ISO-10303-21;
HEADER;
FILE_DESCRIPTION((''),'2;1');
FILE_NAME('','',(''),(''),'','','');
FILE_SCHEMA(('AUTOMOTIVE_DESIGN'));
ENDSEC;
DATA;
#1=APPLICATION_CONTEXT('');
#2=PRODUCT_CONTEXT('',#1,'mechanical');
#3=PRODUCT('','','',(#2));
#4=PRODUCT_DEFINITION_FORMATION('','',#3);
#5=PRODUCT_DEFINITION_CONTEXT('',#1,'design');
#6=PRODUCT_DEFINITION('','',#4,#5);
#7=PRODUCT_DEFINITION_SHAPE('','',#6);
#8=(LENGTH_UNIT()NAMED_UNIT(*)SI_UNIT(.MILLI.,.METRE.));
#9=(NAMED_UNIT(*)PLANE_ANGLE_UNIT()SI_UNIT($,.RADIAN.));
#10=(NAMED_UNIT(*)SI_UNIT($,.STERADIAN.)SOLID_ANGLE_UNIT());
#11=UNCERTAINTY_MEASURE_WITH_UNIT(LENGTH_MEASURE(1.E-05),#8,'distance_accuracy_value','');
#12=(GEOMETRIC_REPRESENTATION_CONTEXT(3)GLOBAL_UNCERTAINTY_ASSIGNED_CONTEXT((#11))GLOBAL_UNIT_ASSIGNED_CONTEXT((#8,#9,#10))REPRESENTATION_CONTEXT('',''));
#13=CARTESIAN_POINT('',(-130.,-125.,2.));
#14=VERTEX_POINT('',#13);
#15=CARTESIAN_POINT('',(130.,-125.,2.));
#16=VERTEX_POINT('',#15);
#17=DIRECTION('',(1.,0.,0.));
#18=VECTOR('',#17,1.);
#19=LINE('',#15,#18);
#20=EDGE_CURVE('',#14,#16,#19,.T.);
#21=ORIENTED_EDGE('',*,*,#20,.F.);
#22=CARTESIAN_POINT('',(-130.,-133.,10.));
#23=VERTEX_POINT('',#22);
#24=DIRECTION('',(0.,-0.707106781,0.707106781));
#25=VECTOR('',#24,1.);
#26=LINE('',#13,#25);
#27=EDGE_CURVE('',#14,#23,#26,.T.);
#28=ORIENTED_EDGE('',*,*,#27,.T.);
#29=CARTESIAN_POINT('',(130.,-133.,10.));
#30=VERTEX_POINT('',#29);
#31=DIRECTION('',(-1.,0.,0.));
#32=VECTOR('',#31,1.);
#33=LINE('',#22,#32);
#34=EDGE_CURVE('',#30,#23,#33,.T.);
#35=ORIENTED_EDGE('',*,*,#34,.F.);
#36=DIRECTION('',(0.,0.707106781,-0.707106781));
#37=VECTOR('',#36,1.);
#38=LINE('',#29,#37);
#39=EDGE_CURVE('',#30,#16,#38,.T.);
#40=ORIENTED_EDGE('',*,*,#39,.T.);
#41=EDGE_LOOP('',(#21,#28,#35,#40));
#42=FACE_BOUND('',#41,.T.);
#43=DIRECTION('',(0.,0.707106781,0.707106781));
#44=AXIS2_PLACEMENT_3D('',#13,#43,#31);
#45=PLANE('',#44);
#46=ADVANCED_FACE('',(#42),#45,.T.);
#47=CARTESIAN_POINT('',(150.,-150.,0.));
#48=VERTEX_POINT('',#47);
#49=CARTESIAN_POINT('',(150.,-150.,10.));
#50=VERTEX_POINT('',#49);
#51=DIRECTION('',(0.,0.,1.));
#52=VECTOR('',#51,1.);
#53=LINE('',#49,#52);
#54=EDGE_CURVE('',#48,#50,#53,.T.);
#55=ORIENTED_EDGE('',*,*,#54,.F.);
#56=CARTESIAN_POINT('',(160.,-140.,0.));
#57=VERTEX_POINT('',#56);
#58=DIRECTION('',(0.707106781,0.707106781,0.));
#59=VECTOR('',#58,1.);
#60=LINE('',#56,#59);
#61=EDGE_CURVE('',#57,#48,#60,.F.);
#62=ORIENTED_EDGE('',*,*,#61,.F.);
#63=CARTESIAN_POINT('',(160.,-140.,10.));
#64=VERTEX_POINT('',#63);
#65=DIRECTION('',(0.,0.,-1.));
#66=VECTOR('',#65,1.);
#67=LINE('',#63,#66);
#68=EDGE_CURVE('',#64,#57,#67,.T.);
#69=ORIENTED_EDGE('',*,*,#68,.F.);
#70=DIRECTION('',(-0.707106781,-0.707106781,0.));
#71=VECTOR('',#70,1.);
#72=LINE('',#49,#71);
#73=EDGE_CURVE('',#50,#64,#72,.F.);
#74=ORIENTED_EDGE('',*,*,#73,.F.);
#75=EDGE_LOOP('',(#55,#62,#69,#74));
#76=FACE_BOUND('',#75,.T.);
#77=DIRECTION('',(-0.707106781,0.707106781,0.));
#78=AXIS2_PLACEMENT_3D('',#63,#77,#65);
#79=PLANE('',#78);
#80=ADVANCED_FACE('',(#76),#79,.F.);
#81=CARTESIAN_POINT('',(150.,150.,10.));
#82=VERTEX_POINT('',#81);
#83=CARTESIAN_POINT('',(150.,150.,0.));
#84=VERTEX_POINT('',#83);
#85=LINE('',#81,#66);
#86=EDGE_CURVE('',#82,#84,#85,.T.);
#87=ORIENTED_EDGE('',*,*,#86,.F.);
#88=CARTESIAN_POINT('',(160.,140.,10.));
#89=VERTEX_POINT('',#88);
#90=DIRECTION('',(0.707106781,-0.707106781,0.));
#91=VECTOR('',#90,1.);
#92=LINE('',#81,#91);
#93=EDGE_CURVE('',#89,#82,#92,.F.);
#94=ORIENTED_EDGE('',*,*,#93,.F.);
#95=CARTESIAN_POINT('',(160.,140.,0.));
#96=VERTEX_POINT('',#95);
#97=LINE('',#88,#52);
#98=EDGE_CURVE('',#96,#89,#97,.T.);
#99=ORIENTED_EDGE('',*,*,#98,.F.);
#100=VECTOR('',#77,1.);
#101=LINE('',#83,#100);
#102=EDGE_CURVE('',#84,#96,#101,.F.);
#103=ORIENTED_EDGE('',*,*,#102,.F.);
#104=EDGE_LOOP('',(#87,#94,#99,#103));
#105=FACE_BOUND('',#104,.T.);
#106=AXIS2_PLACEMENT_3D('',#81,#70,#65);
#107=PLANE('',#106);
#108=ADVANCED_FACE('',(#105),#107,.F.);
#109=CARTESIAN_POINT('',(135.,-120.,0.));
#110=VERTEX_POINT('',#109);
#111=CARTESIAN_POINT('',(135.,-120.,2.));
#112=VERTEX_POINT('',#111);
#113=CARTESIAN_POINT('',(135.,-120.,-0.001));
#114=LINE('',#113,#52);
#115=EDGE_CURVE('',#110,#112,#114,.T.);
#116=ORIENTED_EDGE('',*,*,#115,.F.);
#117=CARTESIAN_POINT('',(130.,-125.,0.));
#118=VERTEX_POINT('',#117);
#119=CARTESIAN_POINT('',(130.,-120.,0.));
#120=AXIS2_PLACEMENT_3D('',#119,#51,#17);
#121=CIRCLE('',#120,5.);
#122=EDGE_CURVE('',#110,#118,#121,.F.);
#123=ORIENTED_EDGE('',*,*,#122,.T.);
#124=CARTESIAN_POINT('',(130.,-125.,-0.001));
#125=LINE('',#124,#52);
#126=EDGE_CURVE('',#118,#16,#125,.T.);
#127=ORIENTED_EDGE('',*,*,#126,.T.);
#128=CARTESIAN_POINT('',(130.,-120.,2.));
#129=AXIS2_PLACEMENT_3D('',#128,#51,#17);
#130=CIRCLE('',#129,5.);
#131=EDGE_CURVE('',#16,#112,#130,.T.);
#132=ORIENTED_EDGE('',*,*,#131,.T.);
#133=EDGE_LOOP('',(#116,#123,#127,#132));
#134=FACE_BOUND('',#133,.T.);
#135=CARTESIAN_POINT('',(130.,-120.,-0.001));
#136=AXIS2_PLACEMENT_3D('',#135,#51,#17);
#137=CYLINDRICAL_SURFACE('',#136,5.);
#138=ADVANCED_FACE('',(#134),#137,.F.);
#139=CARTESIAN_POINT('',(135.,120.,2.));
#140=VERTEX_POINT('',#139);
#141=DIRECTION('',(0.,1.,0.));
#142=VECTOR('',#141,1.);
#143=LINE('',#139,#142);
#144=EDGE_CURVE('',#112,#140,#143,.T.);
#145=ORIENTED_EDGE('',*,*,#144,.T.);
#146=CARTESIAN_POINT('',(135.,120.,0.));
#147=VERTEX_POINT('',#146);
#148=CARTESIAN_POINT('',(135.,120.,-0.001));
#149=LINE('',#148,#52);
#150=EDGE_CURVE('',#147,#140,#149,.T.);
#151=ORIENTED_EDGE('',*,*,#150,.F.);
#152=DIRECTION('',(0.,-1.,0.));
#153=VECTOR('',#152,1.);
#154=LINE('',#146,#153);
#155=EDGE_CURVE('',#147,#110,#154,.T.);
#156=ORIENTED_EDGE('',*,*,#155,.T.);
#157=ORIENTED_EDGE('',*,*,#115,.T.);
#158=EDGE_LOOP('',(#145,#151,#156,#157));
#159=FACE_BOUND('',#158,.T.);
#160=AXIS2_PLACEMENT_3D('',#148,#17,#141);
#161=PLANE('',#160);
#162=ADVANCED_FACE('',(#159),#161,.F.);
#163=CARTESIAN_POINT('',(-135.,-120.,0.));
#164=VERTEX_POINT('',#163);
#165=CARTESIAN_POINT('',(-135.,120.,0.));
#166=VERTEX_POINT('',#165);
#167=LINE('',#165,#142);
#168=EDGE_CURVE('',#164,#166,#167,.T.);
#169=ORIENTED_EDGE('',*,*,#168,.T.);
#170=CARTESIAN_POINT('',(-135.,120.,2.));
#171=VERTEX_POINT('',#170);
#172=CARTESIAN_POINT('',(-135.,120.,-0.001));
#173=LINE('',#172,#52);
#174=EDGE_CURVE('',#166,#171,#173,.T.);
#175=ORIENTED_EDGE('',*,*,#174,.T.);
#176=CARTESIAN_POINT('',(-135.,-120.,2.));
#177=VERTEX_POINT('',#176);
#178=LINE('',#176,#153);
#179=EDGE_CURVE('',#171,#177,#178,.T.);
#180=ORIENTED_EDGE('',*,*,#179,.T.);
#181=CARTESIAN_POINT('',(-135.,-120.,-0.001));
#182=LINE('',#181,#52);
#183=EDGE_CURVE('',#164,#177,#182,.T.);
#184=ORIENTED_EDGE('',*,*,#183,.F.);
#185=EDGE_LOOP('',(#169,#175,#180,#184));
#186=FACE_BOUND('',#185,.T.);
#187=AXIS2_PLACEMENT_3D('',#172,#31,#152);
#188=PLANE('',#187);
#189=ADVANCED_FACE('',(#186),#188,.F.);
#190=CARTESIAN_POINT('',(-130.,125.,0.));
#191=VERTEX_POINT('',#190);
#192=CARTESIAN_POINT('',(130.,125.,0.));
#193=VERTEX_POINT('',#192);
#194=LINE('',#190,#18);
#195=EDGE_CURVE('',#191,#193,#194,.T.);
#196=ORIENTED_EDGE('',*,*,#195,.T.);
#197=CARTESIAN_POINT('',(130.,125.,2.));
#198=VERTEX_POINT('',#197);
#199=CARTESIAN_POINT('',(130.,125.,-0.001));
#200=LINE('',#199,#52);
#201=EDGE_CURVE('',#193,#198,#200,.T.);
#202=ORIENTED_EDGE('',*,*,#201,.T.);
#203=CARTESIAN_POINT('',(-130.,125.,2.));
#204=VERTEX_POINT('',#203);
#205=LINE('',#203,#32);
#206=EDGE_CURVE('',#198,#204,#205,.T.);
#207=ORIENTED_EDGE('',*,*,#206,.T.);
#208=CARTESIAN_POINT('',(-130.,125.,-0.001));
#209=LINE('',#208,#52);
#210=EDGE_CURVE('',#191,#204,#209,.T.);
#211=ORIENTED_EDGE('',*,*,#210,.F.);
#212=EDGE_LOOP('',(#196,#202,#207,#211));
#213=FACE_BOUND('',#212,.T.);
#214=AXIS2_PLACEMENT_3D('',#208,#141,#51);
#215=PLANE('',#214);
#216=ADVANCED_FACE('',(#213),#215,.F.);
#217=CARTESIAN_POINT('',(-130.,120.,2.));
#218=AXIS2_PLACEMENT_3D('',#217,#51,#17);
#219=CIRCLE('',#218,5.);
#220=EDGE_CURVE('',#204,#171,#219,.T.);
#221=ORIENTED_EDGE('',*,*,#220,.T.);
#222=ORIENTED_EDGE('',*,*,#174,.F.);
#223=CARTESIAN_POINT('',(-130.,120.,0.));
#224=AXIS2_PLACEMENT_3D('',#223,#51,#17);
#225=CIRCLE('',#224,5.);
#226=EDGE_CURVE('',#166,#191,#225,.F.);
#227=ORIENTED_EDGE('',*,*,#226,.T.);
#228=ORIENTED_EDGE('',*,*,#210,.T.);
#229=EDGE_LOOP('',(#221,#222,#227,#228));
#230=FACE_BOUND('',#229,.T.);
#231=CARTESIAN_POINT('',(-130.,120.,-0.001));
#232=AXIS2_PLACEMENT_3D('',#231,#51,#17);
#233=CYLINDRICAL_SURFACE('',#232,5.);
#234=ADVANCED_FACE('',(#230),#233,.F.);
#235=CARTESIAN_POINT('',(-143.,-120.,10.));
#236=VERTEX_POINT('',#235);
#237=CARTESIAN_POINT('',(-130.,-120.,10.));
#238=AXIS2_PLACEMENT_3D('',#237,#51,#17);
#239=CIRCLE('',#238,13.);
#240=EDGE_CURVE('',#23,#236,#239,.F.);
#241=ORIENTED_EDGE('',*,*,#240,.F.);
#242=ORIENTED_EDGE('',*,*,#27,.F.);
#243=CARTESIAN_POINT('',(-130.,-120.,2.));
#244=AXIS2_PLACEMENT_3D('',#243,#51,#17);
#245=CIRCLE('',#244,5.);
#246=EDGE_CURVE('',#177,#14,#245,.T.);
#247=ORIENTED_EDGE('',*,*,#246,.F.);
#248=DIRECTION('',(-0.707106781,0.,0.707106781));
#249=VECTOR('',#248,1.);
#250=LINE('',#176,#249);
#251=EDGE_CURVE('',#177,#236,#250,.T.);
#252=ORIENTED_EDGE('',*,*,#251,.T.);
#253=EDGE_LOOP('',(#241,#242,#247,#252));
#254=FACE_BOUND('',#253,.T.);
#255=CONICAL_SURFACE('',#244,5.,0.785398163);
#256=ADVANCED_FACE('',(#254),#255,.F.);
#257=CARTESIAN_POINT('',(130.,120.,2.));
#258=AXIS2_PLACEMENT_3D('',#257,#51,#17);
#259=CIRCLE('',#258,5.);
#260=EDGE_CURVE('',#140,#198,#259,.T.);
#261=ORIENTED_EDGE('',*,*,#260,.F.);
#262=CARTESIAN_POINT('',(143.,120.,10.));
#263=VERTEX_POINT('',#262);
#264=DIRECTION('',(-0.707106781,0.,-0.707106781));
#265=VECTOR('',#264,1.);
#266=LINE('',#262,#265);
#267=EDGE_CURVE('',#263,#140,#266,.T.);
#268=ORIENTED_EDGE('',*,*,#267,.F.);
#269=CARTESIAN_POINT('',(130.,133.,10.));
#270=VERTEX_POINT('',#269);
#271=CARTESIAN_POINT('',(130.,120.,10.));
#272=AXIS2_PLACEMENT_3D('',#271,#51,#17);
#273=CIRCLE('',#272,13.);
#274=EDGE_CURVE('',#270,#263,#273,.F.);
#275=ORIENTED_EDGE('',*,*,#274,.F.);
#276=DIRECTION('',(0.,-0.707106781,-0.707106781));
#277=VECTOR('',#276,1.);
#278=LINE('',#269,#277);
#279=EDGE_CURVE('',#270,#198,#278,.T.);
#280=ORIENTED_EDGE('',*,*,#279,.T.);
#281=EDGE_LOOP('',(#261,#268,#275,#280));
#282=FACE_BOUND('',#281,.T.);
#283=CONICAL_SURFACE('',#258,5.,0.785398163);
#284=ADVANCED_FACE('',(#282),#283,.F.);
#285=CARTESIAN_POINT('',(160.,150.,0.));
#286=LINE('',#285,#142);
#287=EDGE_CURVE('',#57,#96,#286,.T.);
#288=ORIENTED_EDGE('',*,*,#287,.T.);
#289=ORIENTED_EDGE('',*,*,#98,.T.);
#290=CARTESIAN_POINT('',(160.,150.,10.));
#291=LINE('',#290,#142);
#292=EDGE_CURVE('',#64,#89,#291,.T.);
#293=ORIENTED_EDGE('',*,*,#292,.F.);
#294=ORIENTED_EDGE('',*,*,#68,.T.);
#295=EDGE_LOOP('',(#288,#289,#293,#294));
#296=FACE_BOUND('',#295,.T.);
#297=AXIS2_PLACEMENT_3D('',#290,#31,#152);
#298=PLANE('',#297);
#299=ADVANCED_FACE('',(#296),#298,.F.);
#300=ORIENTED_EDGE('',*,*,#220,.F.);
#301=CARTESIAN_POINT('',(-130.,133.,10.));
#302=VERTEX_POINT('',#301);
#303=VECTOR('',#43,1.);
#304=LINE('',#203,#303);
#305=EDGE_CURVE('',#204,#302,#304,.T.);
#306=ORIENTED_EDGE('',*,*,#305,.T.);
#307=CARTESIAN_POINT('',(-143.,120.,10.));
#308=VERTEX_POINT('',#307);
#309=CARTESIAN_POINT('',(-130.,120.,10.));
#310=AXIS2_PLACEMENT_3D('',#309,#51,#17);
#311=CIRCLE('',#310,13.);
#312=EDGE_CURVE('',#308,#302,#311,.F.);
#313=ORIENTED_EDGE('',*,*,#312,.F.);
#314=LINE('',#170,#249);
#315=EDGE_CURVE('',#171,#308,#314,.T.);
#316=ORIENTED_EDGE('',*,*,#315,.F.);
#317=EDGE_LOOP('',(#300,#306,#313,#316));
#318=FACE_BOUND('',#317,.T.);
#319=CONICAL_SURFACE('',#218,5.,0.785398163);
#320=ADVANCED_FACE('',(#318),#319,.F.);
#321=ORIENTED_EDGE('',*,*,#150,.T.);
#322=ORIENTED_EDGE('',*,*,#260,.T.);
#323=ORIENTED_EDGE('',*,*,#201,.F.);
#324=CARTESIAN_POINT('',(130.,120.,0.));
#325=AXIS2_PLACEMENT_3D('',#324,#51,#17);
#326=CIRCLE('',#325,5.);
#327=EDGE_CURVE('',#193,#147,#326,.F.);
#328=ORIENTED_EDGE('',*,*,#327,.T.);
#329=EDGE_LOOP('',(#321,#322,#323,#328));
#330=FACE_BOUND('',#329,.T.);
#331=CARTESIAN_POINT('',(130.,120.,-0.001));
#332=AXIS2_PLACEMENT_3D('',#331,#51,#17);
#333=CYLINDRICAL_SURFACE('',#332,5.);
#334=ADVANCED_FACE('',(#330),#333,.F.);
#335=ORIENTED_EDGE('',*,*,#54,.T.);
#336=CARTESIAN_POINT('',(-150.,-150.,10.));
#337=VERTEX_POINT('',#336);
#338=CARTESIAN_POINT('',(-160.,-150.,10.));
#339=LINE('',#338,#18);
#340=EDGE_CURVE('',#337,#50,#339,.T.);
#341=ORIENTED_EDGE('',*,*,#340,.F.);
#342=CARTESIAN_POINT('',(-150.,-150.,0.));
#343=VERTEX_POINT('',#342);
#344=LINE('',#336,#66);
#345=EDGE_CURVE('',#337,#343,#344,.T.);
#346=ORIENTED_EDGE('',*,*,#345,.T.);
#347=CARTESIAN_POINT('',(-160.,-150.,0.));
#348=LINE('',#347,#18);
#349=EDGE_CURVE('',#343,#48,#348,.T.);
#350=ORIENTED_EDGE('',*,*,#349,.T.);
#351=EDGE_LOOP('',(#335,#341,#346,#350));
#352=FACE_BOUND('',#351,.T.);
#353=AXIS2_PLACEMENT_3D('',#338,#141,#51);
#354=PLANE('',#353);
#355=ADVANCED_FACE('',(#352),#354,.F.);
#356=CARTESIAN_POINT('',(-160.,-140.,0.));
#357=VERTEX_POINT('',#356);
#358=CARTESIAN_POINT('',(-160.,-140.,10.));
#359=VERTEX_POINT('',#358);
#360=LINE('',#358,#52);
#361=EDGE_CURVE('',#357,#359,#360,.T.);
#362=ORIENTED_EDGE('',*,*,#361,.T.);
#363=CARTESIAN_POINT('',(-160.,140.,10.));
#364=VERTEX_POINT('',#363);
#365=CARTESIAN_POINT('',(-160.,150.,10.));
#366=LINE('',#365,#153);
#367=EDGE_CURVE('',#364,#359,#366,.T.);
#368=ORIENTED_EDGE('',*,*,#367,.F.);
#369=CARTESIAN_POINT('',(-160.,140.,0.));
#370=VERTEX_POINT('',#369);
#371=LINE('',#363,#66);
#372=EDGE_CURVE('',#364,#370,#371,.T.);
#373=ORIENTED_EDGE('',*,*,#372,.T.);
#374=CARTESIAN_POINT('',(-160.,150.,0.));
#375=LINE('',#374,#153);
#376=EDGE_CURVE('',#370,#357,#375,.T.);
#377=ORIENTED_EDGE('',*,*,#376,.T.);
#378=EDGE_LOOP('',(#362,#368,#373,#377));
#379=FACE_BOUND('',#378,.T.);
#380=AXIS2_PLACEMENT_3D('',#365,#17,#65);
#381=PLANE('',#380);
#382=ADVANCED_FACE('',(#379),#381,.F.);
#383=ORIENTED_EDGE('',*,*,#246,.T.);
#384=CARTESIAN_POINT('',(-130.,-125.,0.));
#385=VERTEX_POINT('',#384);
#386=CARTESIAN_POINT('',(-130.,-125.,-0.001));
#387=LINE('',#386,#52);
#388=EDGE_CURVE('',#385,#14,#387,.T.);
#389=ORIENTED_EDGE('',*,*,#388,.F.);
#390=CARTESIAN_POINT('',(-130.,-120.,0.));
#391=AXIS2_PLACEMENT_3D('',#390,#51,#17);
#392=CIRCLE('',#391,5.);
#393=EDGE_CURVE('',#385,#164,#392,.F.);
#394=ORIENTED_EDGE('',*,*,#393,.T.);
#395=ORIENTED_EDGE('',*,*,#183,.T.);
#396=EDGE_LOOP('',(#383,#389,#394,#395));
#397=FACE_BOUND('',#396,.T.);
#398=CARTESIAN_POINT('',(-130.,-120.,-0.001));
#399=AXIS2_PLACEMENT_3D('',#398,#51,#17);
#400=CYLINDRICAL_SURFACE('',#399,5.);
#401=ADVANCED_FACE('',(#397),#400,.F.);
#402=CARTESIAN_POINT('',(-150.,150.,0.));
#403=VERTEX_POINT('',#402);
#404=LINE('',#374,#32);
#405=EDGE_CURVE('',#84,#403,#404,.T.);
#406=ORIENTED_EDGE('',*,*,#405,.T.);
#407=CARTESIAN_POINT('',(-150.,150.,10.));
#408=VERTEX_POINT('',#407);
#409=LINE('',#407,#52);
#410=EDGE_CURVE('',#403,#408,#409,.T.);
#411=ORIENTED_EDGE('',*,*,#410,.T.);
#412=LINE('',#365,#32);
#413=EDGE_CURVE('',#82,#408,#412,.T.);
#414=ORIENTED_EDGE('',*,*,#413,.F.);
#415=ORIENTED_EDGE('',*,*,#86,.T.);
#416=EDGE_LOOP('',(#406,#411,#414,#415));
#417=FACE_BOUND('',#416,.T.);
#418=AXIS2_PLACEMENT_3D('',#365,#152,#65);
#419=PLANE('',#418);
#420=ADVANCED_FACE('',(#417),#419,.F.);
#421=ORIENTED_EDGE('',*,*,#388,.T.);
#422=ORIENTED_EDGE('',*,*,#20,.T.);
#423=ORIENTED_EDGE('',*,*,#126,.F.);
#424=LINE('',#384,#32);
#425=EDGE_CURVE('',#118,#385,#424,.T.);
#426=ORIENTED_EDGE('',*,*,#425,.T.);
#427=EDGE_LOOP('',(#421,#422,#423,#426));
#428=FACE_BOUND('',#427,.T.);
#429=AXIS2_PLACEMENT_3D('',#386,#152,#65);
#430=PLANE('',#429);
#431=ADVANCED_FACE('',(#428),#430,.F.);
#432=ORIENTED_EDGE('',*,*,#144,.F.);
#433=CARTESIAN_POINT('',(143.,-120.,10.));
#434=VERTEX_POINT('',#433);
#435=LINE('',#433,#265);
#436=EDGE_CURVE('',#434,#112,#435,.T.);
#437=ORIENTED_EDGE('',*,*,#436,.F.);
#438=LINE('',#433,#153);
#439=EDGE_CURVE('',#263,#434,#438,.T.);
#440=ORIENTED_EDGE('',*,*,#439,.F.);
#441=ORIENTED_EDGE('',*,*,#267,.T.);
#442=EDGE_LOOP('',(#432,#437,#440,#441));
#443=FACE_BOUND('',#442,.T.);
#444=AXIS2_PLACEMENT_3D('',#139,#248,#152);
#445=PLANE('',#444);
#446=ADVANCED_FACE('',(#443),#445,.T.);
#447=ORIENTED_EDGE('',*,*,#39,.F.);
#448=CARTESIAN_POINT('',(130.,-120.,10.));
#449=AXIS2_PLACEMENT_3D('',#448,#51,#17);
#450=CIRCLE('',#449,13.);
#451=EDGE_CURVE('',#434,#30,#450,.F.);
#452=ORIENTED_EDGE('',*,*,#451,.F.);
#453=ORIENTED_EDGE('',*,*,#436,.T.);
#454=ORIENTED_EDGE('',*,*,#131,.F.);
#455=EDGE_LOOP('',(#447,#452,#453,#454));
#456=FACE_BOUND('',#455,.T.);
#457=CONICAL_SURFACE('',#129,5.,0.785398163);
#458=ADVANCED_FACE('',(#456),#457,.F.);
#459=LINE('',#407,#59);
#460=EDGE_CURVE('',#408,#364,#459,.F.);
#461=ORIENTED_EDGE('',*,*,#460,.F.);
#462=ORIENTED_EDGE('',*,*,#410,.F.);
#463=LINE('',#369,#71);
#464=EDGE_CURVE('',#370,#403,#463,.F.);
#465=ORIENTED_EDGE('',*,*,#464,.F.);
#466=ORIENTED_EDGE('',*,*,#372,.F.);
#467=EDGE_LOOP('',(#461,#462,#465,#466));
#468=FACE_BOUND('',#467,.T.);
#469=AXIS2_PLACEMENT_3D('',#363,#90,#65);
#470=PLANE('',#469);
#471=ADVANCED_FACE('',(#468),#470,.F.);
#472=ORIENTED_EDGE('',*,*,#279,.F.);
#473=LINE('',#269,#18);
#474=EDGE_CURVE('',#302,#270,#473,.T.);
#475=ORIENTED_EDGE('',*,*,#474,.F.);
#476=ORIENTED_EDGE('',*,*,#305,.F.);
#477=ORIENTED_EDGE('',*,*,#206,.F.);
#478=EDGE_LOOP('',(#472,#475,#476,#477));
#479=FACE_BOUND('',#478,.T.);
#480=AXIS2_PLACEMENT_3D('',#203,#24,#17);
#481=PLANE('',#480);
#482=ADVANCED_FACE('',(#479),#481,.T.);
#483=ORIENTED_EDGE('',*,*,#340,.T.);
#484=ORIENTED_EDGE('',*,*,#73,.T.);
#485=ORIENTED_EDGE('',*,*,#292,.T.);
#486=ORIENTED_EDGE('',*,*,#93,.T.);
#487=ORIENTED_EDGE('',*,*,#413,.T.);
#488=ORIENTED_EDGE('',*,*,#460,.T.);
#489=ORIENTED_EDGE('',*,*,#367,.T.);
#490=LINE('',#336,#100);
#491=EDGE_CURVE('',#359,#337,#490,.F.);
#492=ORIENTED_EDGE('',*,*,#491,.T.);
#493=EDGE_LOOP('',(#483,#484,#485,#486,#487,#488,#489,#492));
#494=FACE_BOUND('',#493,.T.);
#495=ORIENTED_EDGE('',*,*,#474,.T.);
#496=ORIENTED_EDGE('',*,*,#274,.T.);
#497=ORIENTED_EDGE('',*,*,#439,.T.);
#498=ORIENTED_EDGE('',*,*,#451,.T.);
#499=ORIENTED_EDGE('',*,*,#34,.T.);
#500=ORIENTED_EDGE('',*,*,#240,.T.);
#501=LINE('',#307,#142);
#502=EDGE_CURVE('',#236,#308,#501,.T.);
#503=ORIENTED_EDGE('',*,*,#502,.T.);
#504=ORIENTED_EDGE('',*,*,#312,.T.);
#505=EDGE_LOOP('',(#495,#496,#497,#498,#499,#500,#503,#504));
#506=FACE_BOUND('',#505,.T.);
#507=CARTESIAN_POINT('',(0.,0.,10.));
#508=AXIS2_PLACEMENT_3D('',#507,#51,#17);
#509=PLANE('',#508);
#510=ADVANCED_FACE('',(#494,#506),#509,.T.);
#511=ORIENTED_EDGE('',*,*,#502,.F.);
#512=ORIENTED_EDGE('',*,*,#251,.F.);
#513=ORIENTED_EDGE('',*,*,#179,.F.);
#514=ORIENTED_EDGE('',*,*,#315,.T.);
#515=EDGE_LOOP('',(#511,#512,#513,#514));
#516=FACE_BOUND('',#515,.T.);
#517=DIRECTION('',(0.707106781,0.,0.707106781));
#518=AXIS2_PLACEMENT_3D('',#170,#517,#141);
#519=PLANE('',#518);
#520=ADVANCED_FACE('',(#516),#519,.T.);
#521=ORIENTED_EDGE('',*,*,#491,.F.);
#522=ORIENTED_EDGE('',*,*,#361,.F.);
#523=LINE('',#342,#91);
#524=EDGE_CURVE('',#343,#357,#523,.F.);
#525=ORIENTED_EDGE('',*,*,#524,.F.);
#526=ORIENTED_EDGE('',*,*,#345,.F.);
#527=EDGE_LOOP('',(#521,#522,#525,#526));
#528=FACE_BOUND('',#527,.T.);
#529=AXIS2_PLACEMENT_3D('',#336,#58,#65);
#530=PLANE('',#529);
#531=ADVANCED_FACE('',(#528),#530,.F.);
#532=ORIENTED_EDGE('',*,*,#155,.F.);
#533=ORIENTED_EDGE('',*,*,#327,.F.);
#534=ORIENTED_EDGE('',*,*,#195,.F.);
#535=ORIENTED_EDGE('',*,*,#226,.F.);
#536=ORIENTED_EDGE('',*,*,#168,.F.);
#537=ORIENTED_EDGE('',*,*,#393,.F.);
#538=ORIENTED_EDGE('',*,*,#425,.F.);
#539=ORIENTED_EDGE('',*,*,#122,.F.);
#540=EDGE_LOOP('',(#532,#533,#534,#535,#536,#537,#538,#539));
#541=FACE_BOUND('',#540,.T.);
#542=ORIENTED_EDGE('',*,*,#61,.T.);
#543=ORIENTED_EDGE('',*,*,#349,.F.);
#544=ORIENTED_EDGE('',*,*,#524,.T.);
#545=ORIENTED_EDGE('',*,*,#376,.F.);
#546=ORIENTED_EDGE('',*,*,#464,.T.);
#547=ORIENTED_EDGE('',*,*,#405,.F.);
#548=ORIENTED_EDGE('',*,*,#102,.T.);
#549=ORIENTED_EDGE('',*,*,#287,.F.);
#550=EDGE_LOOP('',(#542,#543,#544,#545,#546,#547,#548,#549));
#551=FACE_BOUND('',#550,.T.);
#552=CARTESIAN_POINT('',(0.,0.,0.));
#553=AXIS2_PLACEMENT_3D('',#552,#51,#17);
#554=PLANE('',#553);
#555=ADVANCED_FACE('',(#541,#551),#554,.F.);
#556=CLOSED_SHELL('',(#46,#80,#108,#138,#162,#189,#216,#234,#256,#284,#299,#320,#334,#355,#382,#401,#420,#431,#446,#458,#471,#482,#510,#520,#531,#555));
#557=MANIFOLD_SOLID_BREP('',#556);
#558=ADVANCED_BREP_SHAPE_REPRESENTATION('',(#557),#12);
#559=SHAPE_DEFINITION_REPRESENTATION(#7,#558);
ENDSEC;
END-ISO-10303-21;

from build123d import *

# Parameters (mm, degrees)
SKETCH_1_W          = 320
SKETCH_1_H          = 300
EXTRUDE_1_DEPTH     = 10
CHAMFER_1_SIZE      = 10
CUT_EXTRUDE_1_REACH = 221.545
CHAMFER_2_SIZE      = 8


with BuildPart() as part:
    # 草图1 → 凸台-拉伸1 (new body)
    with BuildSketch(Plane.XY):
        Rectangle(SKETCH_1_W, SKETCH_1_H)
    extrude(amount=EXTRUDE_1_DEPTH)

    # 倒角1
    chamfer_1_edges = [part.edges().sort_by_distance(p)[0] for p in [
        (160, -150, 5),
        (-160, -150, 5),
        (-160, 150, 5),
        (160, 150, 5),
    ]]
    chamfer(chamfer_1_edges, length=CHAMFER_1_SIZE)

    # 草图2 → 切除-拉伸1 (cut, up to next)
    with BuildSketch(Plane.XY.offset(10), mode=Mode.PRIVATE) as cut_extrude_1_sk1:
        with BuildLine():
            Line((-130, 125), (130, 125))
            ThreePointArc((130, 125), (133.535533906, 123.535533906), (135, 120))
            Line((135, 120), (135, -120))
            ThreePointArc((135, -120), (133.535533906, -123.535533906), (130, -125))
            Line((130, -125), (-130, -125))
            ThreePointArc((-130, -125), (-133.535533906, -123.535533906), (-135, -120))
            Line((-135, -120), (-135, 120))
            ThreePointArc((-135, 120), (-133.535533906, 123.535533906), (-130, 125))
        make_face()
    cut_extrude_1_tool1 = extrude(cut_extrude_1_sk1.sketch, amount=-CUT_EXTRUDE_1_REACH, mode=Mode.PRIVATE) & part.part
    add(cut_extrude_1_tool1.solids().sort_by_distance((0, 0, 10))[0], mode=Mode.SUBTRACT)

    # 倒角2
    chamfer_2_edges = [part.edges().sort_by_distance(p)[0] for p in [
        (-133.535533906, -123.535533906, 10),
        (0, -125, 10),
        (133.535533906, -123.535533906, 10),
        (135, 0, 10),
        (133.535533906, 123.535533906, 10),
        (0, 125, 10),
        (-133.535533906, 123.535533906, 10),
        (-135, 0, 10),
    ]]
    chamfer(chamfer_2_edges, length=CHAMFER_2_SIZE)


solid = part.part
